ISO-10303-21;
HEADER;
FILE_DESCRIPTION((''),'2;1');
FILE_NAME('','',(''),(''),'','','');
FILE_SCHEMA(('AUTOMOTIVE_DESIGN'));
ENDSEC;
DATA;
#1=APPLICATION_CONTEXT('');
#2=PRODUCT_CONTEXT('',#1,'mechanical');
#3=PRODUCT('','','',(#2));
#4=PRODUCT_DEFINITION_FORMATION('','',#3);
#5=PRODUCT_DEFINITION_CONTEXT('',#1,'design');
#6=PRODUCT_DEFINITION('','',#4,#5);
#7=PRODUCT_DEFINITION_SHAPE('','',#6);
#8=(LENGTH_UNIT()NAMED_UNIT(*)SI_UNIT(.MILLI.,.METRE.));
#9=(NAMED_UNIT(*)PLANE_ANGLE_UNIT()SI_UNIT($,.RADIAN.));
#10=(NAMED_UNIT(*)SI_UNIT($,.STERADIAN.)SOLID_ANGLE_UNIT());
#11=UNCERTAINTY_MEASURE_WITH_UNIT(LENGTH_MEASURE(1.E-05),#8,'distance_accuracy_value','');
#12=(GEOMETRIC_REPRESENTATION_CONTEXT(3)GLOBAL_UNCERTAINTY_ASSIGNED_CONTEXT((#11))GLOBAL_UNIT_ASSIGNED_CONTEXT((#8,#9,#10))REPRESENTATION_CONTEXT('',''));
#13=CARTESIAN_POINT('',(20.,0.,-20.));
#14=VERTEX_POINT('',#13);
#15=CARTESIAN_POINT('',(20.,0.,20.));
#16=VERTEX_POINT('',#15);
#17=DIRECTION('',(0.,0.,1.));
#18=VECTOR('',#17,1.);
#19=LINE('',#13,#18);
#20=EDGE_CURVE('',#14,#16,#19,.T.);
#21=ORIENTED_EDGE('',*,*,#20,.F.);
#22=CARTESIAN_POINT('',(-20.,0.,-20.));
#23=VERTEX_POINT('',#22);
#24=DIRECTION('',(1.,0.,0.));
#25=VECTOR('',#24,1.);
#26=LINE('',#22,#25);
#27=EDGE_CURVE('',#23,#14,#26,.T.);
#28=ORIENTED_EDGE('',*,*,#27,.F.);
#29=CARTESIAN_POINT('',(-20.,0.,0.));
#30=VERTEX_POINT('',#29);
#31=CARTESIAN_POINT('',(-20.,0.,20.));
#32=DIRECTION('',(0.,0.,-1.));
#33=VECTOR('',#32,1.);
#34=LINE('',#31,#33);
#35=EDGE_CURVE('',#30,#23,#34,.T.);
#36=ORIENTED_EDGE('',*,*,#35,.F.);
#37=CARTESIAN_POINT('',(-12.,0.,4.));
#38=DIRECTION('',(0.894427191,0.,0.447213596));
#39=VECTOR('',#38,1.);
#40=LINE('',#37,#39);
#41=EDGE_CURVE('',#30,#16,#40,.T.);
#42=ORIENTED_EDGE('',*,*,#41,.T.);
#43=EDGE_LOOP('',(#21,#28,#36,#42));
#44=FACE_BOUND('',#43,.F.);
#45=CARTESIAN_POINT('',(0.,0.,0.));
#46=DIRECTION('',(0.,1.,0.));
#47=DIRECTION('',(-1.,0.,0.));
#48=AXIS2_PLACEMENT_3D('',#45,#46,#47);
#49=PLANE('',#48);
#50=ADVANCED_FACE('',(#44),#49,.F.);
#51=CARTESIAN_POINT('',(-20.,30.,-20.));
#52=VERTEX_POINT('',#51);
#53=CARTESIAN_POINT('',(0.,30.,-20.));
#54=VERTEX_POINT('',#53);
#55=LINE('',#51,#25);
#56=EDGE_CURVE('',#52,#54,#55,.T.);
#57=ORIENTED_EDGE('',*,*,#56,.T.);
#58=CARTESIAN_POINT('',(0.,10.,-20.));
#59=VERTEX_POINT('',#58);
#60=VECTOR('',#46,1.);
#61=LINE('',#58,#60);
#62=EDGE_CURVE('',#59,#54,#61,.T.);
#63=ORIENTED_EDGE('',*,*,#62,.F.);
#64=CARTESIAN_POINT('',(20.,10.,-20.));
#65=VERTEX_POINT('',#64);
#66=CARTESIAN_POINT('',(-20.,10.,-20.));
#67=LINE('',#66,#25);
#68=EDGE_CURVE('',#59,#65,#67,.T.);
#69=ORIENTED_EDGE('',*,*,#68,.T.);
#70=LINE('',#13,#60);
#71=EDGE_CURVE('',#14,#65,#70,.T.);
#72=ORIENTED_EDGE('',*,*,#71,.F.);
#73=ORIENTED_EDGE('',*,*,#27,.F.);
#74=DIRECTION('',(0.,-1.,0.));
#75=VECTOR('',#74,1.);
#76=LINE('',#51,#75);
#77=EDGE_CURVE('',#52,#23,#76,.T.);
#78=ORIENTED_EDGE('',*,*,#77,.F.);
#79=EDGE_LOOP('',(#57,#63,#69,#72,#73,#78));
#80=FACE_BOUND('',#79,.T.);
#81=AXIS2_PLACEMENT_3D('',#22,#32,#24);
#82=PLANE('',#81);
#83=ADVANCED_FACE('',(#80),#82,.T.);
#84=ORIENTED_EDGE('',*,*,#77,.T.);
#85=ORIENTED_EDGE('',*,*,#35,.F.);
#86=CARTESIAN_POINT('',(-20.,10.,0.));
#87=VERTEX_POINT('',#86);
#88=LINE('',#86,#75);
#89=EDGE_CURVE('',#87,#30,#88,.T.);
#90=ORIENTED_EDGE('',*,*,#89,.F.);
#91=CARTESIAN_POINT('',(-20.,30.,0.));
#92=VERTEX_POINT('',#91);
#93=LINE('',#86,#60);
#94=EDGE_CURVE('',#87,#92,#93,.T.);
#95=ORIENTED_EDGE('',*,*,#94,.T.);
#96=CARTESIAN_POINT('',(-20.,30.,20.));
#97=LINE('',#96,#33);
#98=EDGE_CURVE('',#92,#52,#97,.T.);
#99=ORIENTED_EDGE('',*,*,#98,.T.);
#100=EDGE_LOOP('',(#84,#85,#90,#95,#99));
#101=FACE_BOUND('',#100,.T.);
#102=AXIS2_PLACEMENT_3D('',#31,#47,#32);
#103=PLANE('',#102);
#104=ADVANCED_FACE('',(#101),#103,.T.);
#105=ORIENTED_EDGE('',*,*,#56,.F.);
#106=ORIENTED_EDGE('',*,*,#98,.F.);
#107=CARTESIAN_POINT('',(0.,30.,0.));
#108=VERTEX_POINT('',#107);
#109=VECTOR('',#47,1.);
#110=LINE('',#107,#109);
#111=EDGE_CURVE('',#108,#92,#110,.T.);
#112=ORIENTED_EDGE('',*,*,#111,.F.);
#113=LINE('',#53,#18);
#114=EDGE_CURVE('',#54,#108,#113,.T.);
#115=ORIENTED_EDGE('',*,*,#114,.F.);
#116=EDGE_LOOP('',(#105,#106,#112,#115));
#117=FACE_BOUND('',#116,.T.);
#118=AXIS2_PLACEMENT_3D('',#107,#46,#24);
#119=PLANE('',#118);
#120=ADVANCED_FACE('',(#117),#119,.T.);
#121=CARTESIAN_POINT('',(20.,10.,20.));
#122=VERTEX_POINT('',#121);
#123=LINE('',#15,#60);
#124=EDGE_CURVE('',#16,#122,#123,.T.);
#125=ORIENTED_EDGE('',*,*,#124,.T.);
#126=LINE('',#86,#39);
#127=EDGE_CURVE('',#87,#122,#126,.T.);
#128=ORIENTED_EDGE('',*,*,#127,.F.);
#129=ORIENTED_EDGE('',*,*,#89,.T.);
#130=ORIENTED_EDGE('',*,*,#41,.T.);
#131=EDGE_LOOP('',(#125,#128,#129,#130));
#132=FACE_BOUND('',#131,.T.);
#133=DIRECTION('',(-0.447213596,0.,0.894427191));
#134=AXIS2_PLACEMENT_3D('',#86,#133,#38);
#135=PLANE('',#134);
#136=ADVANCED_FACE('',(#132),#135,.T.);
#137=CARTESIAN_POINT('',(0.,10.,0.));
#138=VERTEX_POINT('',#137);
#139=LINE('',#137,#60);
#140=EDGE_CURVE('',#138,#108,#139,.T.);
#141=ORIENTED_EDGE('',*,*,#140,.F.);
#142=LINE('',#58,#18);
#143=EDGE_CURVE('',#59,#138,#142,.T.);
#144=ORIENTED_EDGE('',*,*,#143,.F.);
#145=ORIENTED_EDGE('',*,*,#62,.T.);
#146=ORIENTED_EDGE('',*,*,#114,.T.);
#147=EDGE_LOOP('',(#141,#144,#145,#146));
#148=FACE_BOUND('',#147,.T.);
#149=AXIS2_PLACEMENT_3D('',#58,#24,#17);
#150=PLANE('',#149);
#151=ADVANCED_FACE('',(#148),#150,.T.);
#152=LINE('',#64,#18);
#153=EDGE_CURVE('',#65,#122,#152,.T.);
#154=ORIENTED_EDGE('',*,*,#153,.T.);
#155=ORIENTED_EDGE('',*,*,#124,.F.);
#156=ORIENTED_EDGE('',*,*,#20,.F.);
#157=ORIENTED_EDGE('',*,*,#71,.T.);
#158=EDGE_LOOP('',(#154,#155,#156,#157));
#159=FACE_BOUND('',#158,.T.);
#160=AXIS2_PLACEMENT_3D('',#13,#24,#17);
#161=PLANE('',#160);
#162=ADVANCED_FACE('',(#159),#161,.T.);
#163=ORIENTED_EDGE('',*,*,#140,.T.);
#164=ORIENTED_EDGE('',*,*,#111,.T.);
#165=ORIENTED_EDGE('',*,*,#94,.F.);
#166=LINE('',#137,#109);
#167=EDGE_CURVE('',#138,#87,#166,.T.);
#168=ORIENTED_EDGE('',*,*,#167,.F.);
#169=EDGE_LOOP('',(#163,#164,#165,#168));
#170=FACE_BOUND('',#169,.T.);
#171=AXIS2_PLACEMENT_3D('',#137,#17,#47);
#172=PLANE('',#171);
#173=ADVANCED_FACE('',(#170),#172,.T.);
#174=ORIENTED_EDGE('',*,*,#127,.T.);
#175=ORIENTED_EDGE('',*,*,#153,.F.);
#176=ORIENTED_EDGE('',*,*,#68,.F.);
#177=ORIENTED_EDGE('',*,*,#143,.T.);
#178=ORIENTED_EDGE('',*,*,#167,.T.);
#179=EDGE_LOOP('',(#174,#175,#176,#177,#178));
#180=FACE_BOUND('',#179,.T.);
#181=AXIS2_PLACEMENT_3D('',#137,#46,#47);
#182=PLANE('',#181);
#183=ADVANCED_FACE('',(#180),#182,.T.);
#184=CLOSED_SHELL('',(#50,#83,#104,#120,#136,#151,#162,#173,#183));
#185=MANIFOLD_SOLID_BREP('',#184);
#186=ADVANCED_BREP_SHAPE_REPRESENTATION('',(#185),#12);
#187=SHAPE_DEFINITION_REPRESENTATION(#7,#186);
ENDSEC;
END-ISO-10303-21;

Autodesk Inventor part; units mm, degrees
ref_plane "YZ Plane" through (0, 0, 0) normal (1, 0, 0) x (0, 1, 0)
ref_plane "XZ Plane" through (0, 0, 0) normal (0, 1, 0) x (-1, 0, 0)
ref_plane "XY Plane" through (0, 0, 0) normal (0, 0, 1) x (1, 0, 0)
sketch "草圖1" plane through (0, 0, 0) normal (0, 1, 0) x (-1, 0, 0)
  line L0 (-20, 20) -> (20, 20)
  line L1 (20, 20) -> (20, -20)
  line L2 (20, -20) -> (-20, -20)
  line L3 (-20, -20) -> (-20, 20)
  line L4 (-20, 20) -> (20, -20) construction
  line L5 (20, 20) -> (-20, -20) construction
  point P0 (0, 0)
  dimension "d0" = 40
  dimension "d1" = 40
extrude "擠出1" add sketch "草圖1" along normal blind 10
sketch "草圖2" plane through (0, 10, 0) normal (0, 1, 0) x (1, 0, 0)
  line L0 (-20, 20) -> (20, 20) projected
  line L1 (20, 20) -> (20, -20) projected
  line L2 (20, -20) -> (-20, -20) projected
  line L3 (-20, -20) -> (-20, 20) projected
  line L4 (20, 20) -> (-20, 20) projected
  line L5 (-20, 20) -> (0, 20)
  line L6 (0, 20) -> (0, 0)
  line L7 (0, 0) -> (-20, 0)
  line L8 (-20, 0) -> (-20, 20)
  point P0 (0, 0)
  point P1 (0, 20)
  dimension "d4" = 20
  dimension "d5" = 20
extrude "擠出2" add sketch "草圖2" along normal blind 20 contours L0 L6 L7 L3
sketch "草圖3" plane through (0, 10, 0) normal (0, 1, 0) x (1, 0, 0)
  line L0 (0, 20) -> (0, 0) projected
  line L1 (0, 0) -> (-20, 0) projected
  line L2 (-20, -20) -> (-20, 0) projected
  line L3 (20, -20) -> (-20, -20) projected
  line L4 (20, 20) -> (20, -20) projected
  line L5 (0, 20) -> (20, 20) projected
  line L6 (-20, 20) -> (0, 20) projected
  line L7 (-20, 0) -> (-20, 20) projected
  line L8 (20, -20) -> (20, 20) projected
  line L9 (-20, 0) -> (20, -20)
extrude "擠出3" cut sketch "草圖3" against normal through all contours L9 L3 L2
properties part number "3" material "鋼、碳鋼"
